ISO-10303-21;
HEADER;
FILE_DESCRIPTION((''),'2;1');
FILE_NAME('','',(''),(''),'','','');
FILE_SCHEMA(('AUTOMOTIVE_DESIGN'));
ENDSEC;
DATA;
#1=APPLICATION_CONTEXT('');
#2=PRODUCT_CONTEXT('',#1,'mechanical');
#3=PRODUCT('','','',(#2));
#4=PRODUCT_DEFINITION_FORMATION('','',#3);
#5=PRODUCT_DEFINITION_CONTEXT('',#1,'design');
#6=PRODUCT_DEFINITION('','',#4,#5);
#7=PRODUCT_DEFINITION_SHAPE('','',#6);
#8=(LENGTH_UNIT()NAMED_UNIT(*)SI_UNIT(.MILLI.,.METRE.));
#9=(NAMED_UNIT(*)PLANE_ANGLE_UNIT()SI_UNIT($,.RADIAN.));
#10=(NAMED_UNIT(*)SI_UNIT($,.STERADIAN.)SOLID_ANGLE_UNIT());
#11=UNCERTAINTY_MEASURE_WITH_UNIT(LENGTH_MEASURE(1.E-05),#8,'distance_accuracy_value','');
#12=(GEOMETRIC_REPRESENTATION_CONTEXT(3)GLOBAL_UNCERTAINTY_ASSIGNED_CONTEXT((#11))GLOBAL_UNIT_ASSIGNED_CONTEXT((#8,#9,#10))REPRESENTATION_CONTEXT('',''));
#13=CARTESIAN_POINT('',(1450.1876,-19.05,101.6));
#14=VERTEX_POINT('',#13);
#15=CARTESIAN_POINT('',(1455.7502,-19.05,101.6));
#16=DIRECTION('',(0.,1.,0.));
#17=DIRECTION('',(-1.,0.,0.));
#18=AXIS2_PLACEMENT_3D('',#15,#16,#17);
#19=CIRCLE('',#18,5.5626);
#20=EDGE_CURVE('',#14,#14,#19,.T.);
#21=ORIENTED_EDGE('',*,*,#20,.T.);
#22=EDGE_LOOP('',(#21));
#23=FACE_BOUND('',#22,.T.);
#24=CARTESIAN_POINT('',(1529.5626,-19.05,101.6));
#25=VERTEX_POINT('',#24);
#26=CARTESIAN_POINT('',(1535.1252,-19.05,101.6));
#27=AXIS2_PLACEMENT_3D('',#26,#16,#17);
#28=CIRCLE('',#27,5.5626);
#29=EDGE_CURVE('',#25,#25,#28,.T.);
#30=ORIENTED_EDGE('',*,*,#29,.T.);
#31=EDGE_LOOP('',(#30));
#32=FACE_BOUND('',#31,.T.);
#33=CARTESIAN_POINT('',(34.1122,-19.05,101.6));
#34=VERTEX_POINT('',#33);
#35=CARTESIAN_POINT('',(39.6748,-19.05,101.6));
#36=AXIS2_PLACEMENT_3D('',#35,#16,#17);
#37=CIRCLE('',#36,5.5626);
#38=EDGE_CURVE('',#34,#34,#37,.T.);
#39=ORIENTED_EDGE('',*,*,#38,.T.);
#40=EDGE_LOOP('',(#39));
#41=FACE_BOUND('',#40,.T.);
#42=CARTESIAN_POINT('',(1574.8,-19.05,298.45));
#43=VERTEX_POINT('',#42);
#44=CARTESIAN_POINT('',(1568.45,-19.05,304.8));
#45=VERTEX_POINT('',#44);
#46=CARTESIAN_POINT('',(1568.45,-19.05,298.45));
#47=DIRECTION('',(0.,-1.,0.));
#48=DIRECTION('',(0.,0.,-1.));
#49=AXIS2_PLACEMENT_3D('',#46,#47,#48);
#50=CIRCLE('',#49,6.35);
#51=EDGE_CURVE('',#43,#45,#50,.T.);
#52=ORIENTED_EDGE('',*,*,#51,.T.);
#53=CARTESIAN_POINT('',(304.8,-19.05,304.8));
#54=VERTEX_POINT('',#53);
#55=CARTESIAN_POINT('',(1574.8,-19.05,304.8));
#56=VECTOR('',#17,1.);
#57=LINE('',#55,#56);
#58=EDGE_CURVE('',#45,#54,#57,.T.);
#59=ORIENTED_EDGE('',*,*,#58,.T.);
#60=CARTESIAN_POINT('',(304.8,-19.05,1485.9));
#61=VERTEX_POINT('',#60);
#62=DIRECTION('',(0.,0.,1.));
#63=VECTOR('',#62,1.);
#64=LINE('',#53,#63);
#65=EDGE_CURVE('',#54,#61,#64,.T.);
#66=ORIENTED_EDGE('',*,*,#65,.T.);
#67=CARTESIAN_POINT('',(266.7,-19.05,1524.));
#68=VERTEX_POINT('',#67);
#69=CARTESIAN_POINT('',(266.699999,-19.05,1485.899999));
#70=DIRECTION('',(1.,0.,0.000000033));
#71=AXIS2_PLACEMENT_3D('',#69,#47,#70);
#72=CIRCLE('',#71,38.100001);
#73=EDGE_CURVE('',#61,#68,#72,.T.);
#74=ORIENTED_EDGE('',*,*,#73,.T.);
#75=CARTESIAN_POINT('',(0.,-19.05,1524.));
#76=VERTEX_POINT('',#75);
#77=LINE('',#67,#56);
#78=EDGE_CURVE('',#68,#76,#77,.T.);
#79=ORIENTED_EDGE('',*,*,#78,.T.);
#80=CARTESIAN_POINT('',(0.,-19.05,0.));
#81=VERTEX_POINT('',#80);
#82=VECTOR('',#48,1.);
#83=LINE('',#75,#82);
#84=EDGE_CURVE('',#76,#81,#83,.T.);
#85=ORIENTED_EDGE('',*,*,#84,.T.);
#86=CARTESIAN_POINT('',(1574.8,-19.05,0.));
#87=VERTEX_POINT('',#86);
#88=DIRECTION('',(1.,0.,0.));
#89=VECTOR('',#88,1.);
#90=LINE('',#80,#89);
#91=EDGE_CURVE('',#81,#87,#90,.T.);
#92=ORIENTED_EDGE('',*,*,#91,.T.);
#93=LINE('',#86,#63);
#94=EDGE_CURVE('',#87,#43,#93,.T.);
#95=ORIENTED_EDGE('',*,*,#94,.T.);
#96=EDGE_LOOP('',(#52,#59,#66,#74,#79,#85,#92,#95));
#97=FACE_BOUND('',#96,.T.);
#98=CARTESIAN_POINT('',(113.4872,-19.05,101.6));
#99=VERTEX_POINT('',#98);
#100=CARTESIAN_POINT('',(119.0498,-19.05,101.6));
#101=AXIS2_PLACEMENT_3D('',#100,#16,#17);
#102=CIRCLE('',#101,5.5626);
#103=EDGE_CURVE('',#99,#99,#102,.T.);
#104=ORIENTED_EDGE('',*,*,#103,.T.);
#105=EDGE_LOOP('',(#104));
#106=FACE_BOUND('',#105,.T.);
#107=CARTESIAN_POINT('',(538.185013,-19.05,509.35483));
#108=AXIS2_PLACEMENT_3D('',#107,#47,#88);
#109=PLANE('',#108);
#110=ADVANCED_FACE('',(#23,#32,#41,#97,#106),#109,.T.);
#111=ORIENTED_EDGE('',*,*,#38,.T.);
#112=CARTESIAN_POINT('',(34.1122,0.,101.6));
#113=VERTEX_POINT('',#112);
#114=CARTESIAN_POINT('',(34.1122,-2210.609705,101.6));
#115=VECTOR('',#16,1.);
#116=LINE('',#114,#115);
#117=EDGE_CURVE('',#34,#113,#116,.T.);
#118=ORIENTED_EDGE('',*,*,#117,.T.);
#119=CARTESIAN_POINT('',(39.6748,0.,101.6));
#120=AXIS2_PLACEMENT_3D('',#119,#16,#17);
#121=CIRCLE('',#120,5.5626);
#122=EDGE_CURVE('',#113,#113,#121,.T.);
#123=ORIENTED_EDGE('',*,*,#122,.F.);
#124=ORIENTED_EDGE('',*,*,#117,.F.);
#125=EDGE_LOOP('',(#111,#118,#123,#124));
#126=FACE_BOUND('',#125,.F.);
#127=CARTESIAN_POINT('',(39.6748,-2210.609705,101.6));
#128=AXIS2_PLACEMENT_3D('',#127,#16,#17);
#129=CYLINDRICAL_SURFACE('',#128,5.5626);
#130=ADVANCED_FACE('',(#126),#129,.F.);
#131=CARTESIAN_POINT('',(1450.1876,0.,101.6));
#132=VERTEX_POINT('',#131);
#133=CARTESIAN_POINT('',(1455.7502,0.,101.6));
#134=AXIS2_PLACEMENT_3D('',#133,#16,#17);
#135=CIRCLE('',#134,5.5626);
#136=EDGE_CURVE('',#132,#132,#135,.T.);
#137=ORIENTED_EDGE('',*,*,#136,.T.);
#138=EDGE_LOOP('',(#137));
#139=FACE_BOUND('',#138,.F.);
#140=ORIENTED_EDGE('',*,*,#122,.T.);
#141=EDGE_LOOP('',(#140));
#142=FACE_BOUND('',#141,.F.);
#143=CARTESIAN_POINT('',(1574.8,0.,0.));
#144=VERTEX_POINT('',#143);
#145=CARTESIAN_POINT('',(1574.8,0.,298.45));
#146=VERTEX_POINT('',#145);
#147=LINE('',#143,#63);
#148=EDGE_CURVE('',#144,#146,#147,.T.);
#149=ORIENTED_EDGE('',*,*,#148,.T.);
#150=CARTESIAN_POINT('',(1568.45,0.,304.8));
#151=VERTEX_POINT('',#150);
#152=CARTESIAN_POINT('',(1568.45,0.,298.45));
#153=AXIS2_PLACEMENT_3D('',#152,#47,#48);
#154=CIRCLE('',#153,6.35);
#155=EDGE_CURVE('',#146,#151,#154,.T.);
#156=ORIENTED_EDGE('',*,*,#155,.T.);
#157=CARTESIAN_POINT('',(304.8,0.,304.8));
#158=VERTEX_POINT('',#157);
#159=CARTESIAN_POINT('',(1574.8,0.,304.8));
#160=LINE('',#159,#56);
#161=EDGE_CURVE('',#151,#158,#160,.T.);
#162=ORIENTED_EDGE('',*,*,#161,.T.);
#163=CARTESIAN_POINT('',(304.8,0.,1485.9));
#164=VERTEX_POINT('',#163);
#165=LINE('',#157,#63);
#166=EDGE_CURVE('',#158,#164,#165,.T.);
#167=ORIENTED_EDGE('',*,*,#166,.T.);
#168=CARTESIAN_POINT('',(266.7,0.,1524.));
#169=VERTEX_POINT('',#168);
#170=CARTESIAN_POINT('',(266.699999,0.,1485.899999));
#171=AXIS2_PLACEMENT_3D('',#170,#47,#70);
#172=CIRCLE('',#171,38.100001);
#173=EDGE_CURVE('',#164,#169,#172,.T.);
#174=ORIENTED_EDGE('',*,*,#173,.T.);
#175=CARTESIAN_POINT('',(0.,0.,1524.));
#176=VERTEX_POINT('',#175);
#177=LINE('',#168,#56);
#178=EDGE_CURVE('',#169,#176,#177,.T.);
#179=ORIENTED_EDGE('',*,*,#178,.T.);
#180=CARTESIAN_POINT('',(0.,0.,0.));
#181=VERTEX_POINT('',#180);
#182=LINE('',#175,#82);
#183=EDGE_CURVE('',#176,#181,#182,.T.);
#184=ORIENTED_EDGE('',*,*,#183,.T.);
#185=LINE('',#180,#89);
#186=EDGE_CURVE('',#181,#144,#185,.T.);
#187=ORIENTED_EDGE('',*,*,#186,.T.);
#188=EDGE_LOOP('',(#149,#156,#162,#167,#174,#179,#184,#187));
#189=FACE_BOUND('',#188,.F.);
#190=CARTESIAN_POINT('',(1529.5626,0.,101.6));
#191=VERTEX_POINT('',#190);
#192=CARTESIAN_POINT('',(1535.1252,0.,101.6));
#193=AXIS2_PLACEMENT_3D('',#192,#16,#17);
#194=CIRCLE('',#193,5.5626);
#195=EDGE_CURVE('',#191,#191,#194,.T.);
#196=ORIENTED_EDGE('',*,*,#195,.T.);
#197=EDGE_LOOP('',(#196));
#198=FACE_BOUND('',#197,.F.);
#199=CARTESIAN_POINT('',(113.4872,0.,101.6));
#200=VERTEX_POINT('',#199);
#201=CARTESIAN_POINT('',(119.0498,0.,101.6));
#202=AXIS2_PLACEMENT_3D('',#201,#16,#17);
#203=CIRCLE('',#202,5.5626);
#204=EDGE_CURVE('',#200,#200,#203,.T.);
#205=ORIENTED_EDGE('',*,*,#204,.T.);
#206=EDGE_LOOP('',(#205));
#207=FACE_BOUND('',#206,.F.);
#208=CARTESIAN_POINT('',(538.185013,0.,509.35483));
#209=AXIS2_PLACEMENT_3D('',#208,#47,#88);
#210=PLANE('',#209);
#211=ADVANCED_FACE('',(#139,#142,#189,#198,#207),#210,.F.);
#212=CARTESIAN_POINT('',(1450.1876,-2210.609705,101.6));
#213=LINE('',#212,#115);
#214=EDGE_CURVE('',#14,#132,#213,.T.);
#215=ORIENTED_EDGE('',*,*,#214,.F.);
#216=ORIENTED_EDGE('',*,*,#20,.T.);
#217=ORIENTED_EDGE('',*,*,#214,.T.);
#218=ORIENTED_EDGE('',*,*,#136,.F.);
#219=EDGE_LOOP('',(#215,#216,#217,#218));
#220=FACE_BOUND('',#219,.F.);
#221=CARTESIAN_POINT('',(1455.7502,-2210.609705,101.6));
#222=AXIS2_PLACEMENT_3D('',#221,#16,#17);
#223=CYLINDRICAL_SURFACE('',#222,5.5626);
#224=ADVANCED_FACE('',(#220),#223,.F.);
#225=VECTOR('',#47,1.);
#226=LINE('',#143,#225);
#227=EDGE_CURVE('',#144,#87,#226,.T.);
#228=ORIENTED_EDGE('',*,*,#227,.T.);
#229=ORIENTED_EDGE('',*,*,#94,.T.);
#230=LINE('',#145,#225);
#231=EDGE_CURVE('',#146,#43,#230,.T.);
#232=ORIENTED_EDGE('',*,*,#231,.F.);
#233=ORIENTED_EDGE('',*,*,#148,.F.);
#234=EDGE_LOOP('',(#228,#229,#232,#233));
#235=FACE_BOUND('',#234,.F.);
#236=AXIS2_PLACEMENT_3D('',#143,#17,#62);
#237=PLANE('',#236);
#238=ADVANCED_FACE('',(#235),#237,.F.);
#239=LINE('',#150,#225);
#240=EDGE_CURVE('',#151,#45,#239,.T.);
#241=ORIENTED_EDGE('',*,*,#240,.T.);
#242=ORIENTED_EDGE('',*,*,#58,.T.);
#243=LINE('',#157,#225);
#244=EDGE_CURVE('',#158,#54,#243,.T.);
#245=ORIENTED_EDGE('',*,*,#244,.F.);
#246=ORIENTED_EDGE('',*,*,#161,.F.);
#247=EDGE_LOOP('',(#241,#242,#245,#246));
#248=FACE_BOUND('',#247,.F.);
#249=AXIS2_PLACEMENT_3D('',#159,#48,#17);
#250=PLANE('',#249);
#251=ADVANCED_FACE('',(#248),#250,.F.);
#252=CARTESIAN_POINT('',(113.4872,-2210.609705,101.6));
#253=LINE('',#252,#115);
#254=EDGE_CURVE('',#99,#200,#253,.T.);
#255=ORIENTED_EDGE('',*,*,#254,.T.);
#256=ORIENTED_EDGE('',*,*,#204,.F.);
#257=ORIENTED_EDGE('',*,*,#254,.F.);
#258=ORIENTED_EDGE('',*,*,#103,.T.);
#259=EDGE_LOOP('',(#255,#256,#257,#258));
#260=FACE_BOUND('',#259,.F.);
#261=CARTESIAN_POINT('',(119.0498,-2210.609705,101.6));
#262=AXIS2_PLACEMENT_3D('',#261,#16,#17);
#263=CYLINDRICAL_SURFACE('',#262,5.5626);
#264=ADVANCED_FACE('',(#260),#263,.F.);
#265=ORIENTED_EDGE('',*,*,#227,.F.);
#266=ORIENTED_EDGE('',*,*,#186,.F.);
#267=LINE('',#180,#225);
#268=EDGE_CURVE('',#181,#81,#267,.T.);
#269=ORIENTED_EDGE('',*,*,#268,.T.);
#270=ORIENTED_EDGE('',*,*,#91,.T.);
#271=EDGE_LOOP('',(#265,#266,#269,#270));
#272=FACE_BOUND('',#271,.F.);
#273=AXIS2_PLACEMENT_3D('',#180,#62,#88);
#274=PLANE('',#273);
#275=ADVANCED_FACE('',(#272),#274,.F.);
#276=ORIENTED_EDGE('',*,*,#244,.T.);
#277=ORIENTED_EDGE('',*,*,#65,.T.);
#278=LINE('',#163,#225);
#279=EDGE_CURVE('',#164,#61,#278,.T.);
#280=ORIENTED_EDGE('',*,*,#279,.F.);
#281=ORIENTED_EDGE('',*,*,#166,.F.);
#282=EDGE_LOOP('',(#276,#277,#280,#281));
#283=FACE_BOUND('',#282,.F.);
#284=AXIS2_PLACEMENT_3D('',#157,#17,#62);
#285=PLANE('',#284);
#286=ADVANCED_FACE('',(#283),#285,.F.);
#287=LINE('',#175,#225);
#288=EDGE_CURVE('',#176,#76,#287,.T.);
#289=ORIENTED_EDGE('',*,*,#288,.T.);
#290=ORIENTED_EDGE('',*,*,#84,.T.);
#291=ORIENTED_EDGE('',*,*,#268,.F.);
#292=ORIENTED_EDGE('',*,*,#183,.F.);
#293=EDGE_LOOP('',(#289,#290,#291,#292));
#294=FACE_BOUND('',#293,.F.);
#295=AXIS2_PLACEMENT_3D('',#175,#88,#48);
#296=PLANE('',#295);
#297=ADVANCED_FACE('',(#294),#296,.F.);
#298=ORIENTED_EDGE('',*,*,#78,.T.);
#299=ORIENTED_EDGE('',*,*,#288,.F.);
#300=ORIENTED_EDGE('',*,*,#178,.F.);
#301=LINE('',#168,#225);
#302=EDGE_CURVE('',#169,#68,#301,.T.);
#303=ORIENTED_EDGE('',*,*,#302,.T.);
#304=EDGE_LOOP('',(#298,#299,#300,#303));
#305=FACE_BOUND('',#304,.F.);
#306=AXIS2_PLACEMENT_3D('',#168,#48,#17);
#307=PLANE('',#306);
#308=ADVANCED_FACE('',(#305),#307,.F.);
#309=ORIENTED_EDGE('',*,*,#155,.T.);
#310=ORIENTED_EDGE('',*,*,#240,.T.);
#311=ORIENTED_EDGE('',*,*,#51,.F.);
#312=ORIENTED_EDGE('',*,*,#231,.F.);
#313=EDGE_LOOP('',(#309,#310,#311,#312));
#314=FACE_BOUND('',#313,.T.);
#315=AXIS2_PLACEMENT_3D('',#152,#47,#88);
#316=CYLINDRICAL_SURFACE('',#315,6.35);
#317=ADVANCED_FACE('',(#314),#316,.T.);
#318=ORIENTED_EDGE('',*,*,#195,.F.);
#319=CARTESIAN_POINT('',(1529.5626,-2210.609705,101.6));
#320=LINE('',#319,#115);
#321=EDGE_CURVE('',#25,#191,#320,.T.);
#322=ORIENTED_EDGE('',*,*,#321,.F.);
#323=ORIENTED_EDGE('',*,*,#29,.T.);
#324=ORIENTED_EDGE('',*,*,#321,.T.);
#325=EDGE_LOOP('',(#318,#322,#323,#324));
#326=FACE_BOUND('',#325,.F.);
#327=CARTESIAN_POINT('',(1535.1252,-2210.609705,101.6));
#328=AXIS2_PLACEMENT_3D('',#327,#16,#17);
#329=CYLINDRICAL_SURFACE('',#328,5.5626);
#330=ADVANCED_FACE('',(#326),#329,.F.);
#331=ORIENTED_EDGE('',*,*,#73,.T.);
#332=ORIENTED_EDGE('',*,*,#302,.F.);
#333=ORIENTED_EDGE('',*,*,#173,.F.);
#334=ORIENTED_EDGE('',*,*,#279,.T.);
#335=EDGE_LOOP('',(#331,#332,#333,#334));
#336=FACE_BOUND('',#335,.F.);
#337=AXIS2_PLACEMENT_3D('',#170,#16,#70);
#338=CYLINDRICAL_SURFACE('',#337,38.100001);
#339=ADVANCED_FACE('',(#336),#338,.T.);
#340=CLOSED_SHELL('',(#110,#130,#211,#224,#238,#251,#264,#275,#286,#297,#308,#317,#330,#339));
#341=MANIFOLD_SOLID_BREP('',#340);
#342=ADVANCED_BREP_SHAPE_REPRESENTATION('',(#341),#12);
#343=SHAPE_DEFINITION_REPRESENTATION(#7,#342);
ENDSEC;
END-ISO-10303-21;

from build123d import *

# Parameters (mm, degrees)
F1_DEPTH = 19.05
F2_R     = 6.35
F4_D     = 11.1252


with BuildPart() as f1:
    # F0 (on Front) → F1 (new body)
    with BuildSketch(Plane.XZ):
        with BuildLine():
            Line((1371.6, 304.8), (304.8, 304.8))
            Line((304.8, 304.8), (304.8, 1485.9))
            ThreePointArc((304.8, 1485.9), (293.640768, 1512.840768), (266.7, 1524))
            Line((266.7, 1524), (0, 1524))
            Line((0, 1524), (0, 0))
            Line((0, 0), (1574.8, 0))
            Line((1574.8, 0), (1574.8, 304.8))
            Line((1574.8, 304.8), (1371.6, 304.8))
        make_face()
    extrude(amount=F1_DEPTH)

    # F2
    f2_edges = [f1.edges().sort_by_distance(p)[0] for p in [
        (1574.8, -9.525, 304.8),
    ]]
    fillet(f2_edges, radius=F2_R)

    # F4 (through all)
    with Locations(Plane.XZ.offset(19.05)):
        with Locations((1535.1252, 101.6), (1455.7502, 101.6), (119.0498, 101.6), (39.6748, 101.6)):
            Hole(F4_D / 2)


solid = f1.part
